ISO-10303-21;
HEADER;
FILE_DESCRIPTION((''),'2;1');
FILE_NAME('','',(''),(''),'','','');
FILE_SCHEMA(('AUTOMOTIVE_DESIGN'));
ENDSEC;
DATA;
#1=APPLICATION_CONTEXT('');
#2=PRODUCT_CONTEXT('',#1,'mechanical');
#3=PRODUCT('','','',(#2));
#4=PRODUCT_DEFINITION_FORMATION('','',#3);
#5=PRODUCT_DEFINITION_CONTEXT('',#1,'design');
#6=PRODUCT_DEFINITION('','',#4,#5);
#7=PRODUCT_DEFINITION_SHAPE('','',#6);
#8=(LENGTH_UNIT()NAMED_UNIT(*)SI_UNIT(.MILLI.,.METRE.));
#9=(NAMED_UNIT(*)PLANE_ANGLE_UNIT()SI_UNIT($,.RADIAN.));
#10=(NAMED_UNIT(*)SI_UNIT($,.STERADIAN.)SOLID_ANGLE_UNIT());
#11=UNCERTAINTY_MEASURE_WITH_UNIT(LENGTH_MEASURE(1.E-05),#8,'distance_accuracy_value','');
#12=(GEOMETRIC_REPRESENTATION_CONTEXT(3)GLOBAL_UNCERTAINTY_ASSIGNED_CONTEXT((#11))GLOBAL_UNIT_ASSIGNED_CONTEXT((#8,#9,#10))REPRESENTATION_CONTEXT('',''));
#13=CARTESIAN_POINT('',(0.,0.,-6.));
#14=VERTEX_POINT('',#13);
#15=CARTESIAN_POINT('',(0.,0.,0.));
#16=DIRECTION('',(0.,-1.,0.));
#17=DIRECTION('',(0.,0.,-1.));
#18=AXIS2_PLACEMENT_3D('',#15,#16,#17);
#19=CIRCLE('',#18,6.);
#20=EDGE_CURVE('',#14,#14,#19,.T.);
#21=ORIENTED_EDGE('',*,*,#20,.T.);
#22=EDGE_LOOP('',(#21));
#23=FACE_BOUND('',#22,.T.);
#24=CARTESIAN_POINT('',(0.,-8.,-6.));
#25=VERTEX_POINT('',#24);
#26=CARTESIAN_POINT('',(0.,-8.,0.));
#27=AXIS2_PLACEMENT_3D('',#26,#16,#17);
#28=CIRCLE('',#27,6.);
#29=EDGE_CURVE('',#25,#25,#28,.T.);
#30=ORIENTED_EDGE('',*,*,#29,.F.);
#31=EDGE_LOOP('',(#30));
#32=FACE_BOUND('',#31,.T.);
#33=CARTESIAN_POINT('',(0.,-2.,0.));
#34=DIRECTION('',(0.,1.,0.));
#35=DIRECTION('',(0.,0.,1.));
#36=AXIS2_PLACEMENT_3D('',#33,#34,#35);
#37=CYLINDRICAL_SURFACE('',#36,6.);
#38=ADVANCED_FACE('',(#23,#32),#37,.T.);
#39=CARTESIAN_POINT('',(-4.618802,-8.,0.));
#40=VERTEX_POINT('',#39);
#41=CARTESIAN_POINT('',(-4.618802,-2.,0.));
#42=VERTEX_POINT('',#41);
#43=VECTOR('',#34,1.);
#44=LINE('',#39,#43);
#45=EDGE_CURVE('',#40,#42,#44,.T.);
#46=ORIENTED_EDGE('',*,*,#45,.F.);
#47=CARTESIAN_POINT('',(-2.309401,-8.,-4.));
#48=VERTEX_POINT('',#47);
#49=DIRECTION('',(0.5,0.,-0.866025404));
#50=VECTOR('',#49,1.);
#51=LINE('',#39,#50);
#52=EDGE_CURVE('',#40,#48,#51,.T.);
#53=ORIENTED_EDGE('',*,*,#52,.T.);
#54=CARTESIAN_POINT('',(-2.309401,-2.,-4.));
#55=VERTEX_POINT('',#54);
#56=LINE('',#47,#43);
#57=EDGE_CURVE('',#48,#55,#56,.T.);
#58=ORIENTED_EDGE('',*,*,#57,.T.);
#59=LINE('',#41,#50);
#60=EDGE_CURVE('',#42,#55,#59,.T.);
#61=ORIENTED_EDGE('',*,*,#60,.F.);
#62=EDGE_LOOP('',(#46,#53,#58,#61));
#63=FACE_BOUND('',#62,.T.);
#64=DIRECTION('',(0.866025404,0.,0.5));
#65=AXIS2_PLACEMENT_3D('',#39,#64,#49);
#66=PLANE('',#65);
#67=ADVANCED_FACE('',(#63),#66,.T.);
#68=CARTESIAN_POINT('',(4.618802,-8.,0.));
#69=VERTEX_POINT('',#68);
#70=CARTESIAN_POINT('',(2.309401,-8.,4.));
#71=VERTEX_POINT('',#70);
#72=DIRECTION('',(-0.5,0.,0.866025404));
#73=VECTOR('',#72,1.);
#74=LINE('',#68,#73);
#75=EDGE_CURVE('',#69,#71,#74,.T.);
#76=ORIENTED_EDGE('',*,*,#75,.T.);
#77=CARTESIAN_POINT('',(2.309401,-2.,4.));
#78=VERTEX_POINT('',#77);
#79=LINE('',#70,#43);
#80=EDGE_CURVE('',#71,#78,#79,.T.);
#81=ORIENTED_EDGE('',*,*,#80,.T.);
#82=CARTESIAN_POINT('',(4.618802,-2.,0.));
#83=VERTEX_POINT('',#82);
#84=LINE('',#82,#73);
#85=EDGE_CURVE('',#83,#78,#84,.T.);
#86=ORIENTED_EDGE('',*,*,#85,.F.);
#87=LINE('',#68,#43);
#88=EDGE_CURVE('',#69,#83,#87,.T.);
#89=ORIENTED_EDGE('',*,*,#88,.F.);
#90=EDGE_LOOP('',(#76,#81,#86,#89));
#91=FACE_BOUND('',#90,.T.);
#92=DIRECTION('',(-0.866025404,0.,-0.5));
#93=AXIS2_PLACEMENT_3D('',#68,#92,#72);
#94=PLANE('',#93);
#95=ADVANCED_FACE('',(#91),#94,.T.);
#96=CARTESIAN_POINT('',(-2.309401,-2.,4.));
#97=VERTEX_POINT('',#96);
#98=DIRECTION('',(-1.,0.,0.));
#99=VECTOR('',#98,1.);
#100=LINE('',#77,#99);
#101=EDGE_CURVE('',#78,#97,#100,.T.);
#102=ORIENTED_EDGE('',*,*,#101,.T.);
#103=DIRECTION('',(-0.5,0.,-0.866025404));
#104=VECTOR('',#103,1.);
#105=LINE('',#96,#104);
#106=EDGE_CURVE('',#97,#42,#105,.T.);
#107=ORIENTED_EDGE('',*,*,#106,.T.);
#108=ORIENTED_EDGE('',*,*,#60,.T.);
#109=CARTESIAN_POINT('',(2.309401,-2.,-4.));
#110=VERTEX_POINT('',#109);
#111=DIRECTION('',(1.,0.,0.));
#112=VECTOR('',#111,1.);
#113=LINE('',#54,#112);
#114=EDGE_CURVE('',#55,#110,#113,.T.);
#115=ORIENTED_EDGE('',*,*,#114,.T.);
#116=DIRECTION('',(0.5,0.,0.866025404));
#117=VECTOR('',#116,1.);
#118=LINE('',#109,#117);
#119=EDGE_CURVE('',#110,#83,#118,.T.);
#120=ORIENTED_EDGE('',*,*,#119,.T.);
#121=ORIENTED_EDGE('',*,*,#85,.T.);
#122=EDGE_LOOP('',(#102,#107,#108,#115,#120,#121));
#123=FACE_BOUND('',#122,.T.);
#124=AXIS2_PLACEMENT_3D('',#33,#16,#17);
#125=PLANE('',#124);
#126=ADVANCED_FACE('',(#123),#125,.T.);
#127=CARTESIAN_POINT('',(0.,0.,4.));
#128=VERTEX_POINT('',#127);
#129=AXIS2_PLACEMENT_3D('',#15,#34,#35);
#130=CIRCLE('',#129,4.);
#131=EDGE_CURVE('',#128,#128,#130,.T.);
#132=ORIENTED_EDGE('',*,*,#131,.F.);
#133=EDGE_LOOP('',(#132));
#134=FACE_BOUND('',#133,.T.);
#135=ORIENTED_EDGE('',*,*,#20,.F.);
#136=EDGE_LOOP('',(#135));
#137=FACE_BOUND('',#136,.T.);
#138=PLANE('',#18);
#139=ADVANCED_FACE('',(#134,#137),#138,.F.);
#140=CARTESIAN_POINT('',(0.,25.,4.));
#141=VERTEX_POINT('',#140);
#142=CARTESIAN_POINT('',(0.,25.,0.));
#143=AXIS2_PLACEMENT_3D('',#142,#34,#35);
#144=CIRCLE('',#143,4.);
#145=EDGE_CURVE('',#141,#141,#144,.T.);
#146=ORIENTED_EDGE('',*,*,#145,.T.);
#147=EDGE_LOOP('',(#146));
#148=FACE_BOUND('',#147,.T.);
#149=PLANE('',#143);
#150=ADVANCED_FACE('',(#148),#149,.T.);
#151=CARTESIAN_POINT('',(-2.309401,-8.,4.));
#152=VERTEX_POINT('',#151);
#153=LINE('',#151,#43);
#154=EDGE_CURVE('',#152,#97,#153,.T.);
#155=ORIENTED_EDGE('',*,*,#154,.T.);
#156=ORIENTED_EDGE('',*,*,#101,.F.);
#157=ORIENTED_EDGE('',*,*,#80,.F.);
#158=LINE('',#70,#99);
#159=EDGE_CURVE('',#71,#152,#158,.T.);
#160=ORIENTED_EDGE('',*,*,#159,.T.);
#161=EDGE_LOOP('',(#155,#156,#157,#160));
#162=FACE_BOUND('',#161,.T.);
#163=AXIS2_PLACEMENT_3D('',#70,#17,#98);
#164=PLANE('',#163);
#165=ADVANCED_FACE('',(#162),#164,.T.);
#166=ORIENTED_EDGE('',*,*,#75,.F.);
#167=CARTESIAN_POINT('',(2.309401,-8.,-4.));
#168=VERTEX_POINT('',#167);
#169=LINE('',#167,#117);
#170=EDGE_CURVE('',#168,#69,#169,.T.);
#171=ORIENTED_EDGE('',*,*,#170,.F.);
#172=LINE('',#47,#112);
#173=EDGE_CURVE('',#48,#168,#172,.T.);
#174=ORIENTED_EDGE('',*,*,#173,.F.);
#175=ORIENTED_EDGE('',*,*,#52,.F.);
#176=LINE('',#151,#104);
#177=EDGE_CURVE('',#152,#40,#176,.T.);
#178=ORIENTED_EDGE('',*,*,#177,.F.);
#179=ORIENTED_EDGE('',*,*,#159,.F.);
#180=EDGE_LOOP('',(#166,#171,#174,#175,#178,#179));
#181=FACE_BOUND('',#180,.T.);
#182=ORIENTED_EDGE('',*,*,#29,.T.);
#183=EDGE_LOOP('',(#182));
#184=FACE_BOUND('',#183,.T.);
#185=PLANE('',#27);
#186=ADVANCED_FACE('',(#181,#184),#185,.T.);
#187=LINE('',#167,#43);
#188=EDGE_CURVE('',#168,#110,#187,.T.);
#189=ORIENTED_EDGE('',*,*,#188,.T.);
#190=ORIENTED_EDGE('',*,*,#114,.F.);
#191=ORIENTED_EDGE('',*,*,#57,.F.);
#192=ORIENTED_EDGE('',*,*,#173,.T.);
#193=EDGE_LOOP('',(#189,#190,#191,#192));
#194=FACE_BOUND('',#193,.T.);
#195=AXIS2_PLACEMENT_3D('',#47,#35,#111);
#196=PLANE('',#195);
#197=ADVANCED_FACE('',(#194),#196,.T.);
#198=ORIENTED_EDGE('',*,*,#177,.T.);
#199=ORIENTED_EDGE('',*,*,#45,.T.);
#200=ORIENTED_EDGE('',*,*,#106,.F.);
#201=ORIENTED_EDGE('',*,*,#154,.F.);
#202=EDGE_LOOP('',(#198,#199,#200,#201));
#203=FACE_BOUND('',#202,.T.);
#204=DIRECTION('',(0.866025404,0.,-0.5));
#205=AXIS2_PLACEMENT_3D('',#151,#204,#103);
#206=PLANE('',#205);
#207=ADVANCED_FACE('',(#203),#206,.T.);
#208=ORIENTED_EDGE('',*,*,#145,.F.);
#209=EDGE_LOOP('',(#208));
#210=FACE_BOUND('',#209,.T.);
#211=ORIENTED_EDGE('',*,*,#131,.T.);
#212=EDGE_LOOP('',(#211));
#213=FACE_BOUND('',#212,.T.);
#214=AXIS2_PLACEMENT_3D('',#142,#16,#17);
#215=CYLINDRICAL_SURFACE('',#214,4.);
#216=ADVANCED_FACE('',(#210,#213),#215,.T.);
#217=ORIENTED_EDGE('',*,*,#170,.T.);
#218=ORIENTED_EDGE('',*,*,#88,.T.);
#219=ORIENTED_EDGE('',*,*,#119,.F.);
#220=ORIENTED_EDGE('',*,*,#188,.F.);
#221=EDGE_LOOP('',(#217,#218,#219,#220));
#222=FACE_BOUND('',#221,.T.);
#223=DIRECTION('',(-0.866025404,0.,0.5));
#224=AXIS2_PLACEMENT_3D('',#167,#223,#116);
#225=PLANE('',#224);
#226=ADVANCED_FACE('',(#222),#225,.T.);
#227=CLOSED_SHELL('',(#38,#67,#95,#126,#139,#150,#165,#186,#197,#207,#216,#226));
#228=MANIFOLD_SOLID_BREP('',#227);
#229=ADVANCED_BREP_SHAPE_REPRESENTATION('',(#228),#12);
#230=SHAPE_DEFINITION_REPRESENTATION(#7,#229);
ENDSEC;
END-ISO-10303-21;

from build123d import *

# Parameters (mm, degrees)
SKETCH1_R           = 4
BOSS_EXTRUDE1_DEPTH = 25
SKETCH2_R           = 6
SKETCH2_R_2         = 4
BOSS_EXTRUDE2_DEPTH = 2
SKETCH3_R           = 6
BOSS_EXTRUDE3_DEPTH = 6


with BuildPart() as part:
    # Sketch1 → Boss-Extrude1 (new body)
    with BuildSketch(Plane(origin=(0, 0, 0), x_dir=(1, 0, 0), z_dir=(0, 1, 0))):
        Circle(SKETCH1_R)
    extrude(amount=BOSS_EXTRUDE1_DEPTH)

    # Sketch2 → Boss-Extrude2 (add)
    with BuildSketch(Plane.XZ):
        Circle(SKETCH2_R)
        Circle(SKETCH2_R_2, mode=Mode.SUBTRACT)
        Circle(SKETCH2_R_2)
        Circle(SKETCH2_R_2)
    extrude(amount=BOSS_EXTRUDE2_DEPTH)

    # Sketch3 → Boss-Extrude3 (add)
    with BuildSketch(Plane.XZ.offset(2)):
        Circle(SKETCH3_R)
        Polygon((4.618802154, 0), (2.309401077, 4), (-2.309401077, 4), (-4.618802154, 0), (-2.309401077, -4), (2.309401077, -4), align=None, mode=Mode.SUBTRACT)
    extrude(amount=BOSS_EXTRUDE3_DEPTH)


solid = part.part
